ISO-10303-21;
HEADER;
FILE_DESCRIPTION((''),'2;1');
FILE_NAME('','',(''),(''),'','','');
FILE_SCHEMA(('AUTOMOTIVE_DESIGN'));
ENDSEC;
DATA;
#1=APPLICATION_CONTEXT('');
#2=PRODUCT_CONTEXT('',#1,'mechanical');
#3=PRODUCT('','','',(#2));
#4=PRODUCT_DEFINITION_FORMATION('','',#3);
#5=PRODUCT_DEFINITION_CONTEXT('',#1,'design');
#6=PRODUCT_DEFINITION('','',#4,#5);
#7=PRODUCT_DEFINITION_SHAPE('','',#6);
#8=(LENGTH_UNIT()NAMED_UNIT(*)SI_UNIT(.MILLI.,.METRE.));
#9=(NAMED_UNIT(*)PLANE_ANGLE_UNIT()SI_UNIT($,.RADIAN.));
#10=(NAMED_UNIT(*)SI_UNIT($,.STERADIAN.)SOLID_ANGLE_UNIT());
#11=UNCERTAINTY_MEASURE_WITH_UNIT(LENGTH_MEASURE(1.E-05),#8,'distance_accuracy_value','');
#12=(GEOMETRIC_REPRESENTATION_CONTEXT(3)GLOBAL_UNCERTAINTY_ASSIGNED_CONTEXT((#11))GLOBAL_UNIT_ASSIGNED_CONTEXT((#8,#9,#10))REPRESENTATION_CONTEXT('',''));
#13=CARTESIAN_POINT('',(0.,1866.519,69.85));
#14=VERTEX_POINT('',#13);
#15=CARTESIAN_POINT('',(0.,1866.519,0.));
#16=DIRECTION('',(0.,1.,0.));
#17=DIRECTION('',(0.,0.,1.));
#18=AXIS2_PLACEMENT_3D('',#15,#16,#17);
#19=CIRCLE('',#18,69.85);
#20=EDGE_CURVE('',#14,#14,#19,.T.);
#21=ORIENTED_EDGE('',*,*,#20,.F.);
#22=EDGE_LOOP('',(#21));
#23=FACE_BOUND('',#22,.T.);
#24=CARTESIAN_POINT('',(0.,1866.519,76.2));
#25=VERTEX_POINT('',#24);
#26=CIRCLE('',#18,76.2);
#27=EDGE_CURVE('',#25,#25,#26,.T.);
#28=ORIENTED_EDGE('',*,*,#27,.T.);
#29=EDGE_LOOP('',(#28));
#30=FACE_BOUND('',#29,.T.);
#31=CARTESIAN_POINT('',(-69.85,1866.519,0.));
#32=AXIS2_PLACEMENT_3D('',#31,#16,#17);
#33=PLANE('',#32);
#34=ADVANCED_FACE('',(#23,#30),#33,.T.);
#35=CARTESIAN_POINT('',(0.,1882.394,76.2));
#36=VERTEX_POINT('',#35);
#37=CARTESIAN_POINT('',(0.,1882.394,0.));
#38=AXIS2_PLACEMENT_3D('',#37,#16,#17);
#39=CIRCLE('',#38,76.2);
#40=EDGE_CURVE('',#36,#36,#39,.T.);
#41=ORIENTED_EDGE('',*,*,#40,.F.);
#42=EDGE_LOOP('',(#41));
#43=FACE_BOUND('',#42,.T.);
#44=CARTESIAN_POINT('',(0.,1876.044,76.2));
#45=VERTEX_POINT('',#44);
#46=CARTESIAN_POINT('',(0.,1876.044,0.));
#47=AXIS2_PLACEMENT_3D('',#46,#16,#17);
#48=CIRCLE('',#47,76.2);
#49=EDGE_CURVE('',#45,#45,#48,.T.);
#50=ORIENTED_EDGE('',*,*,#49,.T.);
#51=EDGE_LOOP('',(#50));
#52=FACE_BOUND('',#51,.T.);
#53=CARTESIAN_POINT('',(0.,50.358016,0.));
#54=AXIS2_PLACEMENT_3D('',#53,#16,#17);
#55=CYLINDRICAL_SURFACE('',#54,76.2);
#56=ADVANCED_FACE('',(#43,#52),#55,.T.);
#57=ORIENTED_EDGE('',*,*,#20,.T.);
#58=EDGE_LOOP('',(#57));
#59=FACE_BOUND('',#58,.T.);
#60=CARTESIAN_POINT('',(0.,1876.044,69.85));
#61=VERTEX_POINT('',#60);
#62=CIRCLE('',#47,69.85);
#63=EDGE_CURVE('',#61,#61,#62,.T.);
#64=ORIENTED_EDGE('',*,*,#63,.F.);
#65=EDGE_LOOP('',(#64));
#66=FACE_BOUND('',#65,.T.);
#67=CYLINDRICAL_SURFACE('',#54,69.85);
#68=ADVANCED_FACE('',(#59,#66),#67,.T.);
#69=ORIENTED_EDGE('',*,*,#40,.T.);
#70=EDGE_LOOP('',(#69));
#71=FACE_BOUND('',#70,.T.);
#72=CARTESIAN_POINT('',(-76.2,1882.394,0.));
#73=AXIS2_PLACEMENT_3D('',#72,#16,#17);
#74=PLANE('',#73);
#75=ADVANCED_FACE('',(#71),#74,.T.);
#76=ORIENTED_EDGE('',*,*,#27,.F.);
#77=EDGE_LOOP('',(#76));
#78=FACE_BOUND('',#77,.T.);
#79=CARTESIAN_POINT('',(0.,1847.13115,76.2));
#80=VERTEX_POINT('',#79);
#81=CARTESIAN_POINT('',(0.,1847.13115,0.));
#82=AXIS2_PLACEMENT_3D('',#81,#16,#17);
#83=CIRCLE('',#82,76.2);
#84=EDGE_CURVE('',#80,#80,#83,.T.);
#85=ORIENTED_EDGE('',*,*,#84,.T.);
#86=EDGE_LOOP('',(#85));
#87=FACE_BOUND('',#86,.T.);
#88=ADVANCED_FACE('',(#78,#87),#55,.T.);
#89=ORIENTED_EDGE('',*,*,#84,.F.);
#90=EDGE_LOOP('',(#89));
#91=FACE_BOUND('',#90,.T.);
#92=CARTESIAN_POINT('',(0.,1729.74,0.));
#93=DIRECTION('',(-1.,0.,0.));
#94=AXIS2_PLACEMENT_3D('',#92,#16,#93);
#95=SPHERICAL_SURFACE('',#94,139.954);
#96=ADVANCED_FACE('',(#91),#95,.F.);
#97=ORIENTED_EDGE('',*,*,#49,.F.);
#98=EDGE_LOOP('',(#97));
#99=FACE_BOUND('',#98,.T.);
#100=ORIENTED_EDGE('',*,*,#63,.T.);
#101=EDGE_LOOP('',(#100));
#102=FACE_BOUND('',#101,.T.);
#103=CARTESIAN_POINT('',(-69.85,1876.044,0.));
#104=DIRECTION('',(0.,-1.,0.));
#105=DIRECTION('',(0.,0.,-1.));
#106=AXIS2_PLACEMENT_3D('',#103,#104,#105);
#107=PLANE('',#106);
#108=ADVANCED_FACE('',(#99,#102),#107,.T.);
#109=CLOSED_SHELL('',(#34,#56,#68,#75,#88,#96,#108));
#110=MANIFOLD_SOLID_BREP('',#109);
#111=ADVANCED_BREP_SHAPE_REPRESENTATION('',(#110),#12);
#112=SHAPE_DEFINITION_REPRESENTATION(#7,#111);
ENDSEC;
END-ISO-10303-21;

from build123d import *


with BuildPart() as part:
    # Sketch1 → Revolve1 (revolve)
    with BuildSketch(Plane.XY):
        with BuildLine():
            Line((-69.85, 1876.044), (-69.85, 1866.519))
            Line((-69.85, 1866.519), (-76.2, 1866.519))
            Line((-76.2, 1866.519), (-76.2, 1847.131150075))
            ThreePointArc((-76.2, 1847.131150075), (-39.735129913, 1863.934789641), (0, 1869.694))
            Line((0, 1869.694), (0, 1882.394))
            Line((0, 1882.394), (-76.2, 1882.394))
            Line((-76.2, 1882.394), (-76.2, 1876.044))
            Line((-76.2, 1876.044), (-69.85, 1876.044))
        make_face()
    revolve(axis=Axis((0, 50.358015581, 0), (0, -1, 0)))


solid = part.part
